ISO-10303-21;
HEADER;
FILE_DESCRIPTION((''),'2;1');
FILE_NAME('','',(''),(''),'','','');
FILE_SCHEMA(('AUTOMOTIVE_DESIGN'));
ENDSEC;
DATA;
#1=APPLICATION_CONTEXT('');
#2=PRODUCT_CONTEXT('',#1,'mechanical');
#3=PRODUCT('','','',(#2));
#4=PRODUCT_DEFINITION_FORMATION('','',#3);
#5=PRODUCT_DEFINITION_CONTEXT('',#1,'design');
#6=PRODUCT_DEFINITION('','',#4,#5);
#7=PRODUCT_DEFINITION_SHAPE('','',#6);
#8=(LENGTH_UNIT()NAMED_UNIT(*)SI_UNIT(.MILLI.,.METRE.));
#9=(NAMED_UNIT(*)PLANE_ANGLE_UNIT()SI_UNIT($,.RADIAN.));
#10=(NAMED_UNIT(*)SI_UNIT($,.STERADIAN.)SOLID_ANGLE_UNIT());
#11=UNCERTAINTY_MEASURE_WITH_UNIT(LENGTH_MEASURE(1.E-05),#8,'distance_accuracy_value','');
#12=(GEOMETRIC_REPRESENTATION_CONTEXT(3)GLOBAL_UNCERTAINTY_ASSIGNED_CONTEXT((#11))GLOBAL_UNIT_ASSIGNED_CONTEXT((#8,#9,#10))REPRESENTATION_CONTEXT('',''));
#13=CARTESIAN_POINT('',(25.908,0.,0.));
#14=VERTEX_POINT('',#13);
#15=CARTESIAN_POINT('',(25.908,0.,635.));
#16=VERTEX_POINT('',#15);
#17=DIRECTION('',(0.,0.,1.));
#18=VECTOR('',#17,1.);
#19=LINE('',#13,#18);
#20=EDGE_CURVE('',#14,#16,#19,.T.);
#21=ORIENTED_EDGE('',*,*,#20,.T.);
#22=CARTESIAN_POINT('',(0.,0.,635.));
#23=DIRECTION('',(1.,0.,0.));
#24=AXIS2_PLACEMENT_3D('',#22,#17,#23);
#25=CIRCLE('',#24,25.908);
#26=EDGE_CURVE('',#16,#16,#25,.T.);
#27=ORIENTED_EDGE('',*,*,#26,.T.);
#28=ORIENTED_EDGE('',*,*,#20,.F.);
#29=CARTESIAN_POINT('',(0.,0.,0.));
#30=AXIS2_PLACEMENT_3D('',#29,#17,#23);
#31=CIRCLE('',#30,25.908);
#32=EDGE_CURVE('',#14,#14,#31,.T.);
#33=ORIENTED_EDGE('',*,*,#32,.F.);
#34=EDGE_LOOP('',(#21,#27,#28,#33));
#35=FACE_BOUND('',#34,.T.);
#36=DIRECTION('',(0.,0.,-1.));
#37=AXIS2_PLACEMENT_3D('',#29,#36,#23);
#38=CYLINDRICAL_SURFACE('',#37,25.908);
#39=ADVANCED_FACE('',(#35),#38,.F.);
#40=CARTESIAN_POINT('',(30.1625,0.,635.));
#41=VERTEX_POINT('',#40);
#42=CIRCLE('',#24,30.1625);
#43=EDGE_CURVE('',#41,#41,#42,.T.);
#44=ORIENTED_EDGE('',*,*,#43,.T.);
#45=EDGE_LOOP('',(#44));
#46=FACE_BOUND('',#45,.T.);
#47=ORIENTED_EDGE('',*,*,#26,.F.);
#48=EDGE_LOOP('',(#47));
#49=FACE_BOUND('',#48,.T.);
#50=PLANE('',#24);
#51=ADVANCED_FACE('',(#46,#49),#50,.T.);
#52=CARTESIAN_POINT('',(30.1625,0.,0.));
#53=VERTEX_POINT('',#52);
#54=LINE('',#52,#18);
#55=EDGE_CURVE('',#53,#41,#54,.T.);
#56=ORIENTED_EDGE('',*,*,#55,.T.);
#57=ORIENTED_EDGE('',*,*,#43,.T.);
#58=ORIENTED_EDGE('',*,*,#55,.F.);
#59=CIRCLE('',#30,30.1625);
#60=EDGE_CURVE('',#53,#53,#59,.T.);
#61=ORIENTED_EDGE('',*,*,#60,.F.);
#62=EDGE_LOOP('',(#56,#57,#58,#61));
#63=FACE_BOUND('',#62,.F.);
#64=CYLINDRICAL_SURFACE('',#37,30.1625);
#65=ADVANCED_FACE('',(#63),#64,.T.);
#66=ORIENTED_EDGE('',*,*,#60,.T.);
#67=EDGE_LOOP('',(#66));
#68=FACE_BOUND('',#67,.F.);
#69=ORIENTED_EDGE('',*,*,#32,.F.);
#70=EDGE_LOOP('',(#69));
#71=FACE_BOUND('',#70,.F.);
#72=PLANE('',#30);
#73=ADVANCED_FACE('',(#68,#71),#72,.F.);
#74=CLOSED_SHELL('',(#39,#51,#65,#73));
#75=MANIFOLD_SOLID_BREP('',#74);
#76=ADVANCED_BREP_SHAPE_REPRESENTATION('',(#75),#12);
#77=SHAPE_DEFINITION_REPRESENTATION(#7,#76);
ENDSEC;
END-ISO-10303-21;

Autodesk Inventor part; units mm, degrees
ref_plane "YZ Plane" through (0, 0, 0) normal (1, 0, 0) x (0, 1, 0)
ref_plane "XZ Plane" through (0, 0, 0) normal (0, 1, 0) x (-1, 0, 0)
ref_plane "XY Plane" through (0, 0, 0) normal (0, 0, 1) x (1, 0, 0)
sketch "Sketch1" plane through (0, 0, 0) normal (0, 0, 1) x (1, 0, 0)
  circle A0 centre (0, 0) radius 30.1625
  circle A1 centre (0, 0) radius 25.908
  dimension "d0" = 60.325
  dimension "d1" = 51.816
extrude "Extrusion1" add sketch "Sketch1" along normal blind 635
properties part number "pvcroller"
